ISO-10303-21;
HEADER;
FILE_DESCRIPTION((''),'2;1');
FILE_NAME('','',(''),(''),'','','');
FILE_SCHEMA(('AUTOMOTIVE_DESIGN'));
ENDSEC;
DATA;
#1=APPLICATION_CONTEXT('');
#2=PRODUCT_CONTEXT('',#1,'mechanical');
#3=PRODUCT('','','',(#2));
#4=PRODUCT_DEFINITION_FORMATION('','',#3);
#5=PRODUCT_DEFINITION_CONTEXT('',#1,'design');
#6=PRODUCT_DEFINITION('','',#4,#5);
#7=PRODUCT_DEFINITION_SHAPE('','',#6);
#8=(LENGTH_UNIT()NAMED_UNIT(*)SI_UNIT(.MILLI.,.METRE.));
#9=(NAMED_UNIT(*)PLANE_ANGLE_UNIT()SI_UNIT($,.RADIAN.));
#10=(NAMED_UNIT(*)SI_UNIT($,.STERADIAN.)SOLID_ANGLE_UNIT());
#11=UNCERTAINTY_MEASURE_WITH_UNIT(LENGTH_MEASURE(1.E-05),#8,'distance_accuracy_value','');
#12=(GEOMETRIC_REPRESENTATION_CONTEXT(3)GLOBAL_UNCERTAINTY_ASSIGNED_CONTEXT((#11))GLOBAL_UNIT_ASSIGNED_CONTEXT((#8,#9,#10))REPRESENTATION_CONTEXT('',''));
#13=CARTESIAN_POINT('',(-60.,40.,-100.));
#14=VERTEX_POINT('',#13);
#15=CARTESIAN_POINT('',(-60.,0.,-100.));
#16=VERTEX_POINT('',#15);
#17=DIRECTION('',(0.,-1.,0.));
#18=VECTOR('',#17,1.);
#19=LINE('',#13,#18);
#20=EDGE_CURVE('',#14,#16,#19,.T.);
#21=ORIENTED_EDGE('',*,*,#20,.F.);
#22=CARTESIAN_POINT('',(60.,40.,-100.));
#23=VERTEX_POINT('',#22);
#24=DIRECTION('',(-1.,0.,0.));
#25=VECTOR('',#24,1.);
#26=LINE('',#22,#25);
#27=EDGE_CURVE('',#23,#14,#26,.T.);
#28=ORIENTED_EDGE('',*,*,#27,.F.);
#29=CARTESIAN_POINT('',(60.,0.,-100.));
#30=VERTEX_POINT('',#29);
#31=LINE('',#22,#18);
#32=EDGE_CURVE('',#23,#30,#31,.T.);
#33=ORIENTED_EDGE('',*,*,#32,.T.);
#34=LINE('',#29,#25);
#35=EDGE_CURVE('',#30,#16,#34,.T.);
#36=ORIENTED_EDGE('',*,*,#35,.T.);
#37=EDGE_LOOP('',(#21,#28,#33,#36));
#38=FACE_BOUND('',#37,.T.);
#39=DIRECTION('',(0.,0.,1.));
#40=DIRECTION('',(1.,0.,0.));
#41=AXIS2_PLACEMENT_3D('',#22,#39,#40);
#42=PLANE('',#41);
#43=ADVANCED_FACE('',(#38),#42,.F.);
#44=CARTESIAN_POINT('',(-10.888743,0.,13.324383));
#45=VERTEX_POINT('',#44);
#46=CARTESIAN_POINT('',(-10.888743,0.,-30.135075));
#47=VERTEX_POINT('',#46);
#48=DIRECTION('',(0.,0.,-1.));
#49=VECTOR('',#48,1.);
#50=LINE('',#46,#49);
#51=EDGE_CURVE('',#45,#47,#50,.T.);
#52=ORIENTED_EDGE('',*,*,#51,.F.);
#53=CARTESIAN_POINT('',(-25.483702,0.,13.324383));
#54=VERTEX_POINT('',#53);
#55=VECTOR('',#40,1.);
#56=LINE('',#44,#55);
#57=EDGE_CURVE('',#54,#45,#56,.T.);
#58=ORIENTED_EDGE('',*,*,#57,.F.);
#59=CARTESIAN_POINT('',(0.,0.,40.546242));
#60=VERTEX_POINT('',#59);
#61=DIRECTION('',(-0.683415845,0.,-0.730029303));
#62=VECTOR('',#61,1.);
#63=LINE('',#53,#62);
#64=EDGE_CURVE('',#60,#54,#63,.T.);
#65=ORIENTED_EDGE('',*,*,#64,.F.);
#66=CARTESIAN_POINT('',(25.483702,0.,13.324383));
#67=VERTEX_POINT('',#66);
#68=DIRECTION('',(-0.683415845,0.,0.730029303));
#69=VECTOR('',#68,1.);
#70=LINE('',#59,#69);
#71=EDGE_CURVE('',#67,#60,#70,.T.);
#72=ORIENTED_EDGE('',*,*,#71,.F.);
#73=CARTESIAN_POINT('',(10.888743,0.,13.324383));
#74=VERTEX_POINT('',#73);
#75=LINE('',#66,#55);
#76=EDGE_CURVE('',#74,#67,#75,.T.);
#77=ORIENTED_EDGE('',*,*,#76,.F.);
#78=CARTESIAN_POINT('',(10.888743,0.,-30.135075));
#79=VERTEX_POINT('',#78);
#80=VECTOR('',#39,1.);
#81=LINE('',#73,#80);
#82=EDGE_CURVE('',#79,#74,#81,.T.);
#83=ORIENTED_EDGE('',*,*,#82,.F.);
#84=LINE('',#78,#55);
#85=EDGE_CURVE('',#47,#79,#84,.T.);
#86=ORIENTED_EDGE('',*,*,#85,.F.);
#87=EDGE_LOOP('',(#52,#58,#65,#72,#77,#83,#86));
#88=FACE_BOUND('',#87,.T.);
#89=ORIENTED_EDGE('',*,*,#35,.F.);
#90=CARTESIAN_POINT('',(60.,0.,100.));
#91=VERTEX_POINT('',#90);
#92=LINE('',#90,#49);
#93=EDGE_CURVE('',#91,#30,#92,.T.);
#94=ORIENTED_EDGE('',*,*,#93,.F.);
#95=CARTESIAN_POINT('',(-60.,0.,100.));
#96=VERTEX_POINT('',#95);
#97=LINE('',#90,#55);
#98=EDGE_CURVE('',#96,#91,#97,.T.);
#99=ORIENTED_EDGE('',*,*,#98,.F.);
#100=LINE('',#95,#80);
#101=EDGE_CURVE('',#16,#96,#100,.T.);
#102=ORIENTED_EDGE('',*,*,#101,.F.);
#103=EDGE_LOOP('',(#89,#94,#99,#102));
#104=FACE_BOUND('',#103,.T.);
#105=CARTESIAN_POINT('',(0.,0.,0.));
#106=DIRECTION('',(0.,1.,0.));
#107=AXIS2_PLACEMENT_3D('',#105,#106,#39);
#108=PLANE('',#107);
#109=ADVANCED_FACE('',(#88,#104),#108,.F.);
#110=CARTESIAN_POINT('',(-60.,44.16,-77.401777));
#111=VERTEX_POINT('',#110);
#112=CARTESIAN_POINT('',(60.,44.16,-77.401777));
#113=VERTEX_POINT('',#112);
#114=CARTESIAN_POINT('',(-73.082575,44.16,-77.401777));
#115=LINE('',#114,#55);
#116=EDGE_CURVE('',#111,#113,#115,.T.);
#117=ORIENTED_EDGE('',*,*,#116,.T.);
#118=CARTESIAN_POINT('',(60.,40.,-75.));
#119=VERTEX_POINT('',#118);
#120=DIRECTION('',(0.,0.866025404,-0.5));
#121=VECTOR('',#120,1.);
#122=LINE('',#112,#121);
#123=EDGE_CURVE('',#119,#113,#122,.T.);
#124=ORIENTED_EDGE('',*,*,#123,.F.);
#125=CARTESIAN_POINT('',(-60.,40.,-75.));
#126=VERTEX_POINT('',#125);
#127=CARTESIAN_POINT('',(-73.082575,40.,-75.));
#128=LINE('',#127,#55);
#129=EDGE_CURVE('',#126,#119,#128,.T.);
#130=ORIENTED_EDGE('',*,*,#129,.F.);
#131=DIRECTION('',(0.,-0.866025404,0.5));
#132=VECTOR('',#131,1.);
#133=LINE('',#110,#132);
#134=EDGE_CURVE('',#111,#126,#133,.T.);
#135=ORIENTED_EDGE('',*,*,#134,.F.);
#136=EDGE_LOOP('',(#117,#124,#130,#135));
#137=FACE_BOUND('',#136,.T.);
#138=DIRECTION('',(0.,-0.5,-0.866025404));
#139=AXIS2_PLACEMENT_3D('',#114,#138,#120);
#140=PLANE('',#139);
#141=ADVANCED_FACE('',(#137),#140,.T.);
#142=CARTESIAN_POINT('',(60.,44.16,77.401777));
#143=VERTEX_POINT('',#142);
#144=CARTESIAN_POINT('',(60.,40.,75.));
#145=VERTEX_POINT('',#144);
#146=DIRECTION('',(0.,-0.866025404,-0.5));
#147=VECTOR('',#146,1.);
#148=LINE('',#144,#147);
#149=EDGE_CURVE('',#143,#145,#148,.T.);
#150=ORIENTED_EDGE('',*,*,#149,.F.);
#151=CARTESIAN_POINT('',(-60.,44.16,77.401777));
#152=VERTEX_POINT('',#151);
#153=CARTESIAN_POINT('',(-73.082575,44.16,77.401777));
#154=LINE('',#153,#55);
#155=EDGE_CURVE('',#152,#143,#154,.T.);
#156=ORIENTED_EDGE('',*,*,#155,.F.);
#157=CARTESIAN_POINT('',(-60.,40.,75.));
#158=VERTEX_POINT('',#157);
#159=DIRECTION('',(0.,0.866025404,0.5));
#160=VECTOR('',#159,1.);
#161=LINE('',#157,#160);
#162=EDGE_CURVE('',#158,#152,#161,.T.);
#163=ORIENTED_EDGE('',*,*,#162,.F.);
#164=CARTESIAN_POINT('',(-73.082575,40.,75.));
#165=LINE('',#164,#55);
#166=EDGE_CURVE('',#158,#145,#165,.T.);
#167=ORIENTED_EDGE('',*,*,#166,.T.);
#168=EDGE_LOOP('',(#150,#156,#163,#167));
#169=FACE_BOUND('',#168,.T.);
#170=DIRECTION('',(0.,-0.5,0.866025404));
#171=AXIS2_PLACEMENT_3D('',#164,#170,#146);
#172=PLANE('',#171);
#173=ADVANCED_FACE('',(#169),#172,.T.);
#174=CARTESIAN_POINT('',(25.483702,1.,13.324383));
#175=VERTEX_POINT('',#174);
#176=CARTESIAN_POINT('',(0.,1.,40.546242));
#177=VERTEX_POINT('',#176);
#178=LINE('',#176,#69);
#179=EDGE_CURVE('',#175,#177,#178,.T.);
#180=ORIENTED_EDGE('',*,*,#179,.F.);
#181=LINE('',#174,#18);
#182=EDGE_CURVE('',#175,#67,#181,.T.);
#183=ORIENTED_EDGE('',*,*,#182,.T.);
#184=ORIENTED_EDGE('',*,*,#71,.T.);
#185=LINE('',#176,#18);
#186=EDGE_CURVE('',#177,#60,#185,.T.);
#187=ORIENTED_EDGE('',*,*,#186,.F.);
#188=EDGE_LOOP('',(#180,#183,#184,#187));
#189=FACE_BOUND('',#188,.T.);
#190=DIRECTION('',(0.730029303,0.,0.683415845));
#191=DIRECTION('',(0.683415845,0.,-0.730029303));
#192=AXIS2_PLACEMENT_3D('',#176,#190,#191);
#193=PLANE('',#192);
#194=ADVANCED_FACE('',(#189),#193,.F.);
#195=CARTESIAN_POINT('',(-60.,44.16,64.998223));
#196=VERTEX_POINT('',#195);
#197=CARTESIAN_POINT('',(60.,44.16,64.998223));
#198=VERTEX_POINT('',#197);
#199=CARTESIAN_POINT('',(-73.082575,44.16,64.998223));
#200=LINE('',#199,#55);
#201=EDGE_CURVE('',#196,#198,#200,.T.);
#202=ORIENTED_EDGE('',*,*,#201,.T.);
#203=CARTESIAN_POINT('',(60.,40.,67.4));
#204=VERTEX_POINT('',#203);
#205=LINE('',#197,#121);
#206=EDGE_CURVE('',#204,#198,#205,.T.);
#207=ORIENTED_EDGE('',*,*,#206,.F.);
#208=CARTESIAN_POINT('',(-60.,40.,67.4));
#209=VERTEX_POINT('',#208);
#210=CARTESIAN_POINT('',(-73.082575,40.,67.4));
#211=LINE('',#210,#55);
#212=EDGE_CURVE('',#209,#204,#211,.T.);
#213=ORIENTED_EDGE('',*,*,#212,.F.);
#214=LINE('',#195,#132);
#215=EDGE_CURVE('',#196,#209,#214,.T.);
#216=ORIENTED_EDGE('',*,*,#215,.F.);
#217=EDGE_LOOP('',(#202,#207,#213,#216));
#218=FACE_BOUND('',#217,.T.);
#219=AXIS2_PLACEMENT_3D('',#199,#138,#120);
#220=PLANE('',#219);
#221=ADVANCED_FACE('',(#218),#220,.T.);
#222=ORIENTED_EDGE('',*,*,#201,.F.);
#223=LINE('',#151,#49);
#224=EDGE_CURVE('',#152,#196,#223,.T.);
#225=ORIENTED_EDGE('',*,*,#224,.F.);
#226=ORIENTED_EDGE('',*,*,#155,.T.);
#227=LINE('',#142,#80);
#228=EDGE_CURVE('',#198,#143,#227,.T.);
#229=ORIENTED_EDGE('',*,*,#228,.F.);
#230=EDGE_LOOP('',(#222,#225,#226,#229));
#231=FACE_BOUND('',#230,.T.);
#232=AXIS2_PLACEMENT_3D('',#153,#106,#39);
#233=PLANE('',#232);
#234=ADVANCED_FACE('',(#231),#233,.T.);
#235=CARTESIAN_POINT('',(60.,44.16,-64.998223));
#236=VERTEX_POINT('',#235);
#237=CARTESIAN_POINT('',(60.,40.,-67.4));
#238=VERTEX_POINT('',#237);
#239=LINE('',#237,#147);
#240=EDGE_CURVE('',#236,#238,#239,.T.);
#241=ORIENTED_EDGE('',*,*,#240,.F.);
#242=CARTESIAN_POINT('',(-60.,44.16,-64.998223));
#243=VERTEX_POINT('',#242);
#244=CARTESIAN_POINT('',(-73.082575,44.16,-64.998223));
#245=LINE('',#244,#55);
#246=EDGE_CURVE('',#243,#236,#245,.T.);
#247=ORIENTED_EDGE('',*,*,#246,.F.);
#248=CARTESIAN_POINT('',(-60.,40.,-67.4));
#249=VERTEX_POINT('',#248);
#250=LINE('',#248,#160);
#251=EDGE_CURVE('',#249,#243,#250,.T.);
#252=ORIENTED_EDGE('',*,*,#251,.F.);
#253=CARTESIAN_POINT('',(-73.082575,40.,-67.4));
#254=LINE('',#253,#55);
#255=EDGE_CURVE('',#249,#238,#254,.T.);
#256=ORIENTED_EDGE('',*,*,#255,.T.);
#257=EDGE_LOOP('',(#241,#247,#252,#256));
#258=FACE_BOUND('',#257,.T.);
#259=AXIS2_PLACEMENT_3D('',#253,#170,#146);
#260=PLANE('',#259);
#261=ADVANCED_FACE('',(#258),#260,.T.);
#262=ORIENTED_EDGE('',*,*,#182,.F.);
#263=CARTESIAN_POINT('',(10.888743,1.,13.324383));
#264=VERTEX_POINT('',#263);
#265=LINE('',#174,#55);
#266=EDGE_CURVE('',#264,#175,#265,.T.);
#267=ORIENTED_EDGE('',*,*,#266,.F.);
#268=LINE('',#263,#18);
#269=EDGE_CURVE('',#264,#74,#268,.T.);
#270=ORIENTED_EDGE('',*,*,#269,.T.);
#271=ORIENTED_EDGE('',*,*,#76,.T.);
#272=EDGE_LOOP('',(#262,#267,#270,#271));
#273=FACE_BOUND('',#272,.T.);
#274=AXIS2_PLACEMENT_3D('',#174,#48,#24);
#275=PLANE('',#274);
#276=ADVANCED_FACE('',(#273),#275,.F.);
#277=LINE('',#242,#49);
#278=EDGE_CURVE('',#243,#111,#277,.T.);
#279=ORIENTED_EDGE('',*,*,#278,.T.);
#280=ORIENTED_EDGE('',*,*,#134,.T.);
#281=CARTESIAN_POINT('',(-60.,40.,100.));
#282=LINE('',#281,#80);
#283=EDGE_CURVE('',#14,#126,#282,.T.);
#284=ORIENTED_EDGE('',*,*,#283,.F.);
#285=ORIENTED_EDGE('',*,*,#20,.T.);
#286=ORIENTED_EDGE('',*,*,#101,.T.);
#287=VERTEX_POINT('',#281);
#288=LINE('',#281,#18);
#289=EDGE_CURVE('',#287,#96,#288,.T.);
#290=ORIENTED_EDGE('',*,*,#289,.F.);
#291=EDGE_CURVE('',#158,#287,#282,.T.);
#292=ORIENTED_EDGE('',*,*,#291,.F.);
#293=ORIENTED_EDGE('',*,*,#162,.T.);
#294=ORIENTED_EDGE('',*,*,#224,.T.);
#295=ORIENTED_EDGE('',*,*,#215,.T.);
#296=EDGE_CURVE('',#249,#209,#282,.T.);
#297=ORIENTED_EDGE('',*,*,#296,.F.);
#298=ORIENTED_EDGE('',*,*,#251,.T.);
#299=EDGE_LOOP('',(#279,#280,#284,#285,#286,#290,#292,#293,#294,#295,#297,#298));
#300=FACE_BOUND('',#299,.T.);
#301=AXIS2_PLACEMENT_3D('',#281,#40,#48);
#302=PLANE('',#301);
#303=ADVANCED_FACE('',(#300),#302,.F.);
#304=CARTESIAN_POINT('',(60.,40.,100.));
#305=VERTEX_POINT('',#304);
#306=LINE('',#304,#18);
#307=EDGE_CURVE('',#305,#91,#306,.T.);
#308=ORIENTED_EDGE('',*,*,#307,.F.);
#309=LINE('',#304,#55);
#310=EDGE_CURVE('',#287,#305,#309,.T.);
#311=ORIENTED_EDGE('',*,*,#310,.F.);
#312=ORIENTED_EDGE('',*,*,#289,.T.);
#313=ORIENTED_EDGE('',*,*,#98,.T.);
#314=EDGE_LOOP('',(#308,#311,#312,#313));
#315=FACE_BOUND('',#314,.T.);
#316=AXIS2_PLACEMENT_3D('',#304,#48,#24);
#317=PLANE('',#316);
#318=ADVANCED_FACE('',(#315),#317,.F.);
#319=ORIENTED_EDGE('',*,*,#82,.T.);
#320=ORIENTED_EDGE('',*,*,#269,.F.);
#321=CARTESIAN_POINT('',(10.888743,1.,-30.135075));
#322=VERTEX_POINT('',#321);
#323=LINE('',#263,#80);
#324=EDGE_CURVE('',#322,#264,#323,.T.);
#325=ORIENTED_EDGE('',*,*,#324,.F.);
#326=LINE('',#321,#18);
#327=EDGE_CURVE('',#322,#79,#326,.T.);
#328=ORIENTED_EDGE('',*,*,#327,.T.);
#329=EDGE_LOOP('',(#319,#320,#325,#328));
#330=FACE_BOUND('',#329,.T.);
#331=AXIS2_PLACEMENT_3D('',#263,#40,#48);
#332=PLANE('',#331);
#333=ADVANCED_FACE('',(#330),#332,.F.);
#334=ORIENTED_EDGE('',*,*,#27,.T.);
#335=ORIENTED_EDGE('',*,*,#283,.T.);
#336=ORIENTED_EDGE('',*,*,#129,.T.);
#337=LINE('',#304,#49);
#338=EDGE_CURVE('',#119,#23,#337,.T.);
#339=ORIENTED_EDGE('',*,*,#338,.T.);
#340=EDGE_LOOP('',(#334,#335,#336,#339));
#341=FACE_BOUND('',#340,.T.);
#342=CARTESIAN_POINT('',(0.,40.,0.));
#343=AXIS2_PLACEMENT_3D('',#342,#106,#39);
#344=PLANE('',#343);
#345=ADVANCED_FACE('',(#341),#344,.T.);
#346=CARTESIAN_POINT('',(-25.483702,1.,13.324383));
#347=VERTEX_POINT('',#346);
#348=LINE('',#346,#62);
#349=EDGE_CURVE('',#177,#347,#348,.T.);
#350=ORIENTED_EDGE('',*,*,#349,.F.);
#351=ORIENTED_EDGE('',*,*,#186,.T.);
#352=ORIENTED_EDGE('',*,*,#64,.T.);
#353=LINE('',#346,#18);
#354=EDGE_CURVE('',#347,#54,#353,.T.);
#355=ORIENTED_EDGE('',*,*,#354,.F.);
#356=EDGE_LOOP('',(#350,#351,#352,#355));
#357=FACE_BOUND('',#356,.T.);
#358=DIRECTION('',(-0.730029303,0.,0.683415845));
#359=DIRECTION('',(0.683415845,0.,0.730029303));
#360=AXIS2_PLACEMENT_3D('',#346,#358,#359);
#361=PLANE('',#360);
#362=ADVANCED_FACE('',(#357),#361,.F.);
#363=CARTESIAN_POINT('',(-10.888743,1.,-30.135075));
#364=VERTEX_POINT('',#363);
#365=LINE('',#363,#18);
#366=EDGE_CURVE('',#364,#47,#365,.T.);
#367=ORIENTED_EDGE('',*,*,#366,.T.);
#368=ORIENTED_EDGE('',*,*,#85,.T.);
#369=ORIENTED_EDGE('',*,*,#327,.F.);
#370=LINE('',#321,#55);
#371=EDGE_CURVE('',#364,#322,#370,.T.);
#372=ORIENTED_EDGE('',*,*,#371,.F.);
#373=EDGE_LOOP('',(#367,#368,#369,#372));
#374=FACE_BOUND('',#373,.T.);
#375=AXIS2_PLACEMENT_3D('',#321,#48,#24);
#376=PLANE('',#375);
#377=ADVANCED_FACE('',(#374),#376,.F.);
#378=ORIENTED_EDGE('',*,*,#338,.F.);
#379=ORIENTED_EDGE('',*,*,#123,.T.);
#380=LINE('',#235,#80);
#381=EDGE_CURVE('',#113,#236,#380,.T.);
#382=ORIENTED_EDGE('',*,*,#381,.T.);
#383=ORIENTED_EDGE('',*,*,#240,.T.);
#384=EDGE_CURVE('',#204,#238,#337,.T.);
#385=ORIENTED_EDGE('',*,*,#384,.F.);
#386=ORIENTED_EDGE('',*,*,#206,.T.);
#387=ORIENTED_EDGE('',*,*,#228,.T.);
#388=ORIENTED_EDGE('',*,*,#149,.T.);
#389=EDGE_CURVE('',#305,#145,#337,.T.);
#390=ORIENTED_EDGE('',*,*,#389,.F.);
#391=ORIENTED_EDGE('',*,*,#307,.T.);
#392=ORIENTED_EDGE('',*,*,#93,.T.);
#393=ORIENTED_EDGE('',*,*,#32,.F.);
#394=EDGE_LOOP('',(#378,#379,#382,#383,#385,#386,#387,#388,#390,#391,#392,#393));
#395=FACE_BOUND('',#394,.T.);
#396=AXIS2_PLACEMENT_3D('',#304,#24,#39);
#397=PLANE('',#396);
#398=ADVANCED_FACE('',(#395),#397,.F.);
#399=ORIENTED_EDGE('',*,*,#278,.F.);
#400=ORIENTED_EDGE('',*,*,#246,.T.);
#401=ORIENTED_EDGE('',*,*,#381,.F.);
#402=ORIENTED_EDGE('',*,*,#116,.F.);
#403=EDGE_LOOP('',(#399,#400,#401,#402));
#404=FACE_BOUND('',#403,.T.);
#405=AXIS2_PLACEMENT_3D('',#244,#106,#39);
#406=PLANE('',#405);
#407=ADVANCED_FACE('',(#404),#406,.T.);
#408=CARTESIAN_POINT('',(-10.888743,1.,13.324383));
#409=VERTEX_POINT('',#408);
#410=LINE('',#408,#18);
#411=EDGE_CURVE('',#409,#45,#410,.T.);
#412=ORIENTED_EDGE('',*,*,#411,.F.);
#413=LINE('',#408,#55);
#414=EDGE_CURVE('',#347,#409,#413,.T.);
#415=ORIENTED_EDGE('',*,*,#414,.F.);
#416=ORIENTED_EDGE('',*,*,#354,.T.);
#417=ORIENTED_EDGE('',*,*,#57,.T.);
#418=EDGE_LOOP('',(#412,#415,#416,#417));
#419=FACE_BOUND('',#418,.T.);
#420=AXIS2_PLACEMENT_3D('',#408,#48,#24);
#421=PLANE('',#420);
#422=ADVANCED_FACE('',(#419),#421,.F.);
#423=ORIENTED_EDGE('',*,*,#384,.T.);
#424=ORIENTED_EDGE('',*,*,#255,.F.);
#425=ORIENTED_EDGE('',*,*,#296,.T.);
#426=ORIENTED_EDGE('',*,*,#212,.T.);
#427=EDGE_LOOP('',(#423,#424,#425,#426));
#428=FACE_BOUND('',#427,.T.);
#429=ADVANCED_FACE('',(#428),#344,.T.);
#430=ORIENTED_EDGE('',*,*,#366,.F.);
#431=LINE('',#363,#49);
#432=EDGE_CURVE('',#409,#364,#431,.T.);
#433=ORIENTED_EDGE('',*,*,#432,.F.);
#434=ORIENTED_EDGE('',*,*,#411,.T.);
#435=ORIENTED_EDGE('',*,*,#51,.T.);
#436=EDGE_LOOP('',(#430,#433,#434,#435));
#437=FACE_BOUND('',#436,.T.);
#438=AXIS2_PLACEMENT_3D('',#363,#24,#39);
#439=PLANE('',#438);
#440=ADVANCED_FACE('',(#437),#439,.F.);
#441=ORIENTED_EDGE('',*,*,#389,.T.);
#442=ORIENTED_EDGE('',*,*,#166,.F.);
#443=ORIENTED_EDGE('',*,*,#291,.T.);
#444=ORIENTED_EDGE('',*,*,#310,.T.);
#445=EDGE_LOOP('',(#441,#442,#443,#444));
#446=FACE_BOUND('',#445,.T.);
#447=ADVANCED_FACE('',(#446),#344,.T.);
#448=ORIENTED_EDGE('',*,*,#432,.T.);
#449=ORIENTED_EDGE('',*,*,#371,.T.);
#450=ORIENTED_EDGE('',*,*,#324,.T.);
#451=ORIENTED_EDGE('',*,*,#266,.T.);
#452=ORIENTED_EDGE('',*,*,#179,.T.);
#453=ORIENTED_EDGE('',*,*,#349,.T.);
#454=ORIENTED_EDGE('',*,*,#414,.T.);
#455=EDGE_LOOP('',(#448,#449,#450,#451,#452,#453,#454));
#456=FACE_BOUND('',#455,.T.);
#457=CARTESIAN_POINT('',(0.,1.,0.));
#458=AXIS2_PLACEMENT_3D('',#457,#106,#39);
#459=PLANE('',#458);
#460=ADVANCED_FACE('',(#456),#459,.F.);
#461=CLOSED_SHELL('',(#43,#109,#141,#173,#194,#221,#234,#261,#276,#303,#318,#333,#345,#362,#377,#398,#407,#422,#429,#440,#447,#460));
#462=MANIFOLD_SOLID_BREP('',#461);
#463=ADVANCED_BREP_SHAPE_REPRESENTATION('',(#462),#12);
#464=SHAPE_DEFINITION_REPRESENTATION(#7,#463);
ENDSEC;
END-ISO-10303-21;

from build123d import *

# Parameters (mm, degrees)
SKETCH1_W           = 120
SKETCH1_H           = 200
BOSS_EXTRUDE1_DEPTH = 40
BOSS_EXTRUDE2_DEPTH = 120
CUT_EXTRUDE2_DEPTH  = 1


with BuildPart() as part:
    # Sketch1 → Boss-Extrude1 (new body)
    with BuildSketch(Plane(origin=(0, 0, 0), x_dir=(1, 0, 0), z_dir=(0, 1, 0))):
        Rectangle(SKETCH1_W, SKETCH1_H)
    extrude(amount=BOSS_EXTRUDE1_DEPTH)

    # Sketch2 → Boss-Extrude2 (add)
    with BuildSketch(Plane(origin=(60, 0, 0), x_dir=(0, 0, -1), z_dir=(1, 0, 0))):
        Polygon((67.4, 40), (64.99822288, 44.16), (77.40177712, 44.16), (75, 40), align=None)
        Polygon((-75, 40), (-77.40177712, 44.16), (-64.99822288, 44.16), (-67.4, 40), align=None)
    extrude(amount=-BOSS_EXTRUDE2_DEPTH)

    # Sketch5 → Cut-Extrude2 (cut)
    with BuildSketch(Plane.XZ):
        Polygon((-10.888743303, -30.135074667), (-10.888743303, 13.324383252), (-25.483702069, 13.324383252), (0, 40.546241509), (25.483702069, 13.324383252), (10.888743303, 13.324383252), (10.888743303, -30.135074667), align=None)
    extrude(amount=-CUT_EXTRUDE2_DEPTH, mode=Mode.SUBTRACT)


solid = part.part
